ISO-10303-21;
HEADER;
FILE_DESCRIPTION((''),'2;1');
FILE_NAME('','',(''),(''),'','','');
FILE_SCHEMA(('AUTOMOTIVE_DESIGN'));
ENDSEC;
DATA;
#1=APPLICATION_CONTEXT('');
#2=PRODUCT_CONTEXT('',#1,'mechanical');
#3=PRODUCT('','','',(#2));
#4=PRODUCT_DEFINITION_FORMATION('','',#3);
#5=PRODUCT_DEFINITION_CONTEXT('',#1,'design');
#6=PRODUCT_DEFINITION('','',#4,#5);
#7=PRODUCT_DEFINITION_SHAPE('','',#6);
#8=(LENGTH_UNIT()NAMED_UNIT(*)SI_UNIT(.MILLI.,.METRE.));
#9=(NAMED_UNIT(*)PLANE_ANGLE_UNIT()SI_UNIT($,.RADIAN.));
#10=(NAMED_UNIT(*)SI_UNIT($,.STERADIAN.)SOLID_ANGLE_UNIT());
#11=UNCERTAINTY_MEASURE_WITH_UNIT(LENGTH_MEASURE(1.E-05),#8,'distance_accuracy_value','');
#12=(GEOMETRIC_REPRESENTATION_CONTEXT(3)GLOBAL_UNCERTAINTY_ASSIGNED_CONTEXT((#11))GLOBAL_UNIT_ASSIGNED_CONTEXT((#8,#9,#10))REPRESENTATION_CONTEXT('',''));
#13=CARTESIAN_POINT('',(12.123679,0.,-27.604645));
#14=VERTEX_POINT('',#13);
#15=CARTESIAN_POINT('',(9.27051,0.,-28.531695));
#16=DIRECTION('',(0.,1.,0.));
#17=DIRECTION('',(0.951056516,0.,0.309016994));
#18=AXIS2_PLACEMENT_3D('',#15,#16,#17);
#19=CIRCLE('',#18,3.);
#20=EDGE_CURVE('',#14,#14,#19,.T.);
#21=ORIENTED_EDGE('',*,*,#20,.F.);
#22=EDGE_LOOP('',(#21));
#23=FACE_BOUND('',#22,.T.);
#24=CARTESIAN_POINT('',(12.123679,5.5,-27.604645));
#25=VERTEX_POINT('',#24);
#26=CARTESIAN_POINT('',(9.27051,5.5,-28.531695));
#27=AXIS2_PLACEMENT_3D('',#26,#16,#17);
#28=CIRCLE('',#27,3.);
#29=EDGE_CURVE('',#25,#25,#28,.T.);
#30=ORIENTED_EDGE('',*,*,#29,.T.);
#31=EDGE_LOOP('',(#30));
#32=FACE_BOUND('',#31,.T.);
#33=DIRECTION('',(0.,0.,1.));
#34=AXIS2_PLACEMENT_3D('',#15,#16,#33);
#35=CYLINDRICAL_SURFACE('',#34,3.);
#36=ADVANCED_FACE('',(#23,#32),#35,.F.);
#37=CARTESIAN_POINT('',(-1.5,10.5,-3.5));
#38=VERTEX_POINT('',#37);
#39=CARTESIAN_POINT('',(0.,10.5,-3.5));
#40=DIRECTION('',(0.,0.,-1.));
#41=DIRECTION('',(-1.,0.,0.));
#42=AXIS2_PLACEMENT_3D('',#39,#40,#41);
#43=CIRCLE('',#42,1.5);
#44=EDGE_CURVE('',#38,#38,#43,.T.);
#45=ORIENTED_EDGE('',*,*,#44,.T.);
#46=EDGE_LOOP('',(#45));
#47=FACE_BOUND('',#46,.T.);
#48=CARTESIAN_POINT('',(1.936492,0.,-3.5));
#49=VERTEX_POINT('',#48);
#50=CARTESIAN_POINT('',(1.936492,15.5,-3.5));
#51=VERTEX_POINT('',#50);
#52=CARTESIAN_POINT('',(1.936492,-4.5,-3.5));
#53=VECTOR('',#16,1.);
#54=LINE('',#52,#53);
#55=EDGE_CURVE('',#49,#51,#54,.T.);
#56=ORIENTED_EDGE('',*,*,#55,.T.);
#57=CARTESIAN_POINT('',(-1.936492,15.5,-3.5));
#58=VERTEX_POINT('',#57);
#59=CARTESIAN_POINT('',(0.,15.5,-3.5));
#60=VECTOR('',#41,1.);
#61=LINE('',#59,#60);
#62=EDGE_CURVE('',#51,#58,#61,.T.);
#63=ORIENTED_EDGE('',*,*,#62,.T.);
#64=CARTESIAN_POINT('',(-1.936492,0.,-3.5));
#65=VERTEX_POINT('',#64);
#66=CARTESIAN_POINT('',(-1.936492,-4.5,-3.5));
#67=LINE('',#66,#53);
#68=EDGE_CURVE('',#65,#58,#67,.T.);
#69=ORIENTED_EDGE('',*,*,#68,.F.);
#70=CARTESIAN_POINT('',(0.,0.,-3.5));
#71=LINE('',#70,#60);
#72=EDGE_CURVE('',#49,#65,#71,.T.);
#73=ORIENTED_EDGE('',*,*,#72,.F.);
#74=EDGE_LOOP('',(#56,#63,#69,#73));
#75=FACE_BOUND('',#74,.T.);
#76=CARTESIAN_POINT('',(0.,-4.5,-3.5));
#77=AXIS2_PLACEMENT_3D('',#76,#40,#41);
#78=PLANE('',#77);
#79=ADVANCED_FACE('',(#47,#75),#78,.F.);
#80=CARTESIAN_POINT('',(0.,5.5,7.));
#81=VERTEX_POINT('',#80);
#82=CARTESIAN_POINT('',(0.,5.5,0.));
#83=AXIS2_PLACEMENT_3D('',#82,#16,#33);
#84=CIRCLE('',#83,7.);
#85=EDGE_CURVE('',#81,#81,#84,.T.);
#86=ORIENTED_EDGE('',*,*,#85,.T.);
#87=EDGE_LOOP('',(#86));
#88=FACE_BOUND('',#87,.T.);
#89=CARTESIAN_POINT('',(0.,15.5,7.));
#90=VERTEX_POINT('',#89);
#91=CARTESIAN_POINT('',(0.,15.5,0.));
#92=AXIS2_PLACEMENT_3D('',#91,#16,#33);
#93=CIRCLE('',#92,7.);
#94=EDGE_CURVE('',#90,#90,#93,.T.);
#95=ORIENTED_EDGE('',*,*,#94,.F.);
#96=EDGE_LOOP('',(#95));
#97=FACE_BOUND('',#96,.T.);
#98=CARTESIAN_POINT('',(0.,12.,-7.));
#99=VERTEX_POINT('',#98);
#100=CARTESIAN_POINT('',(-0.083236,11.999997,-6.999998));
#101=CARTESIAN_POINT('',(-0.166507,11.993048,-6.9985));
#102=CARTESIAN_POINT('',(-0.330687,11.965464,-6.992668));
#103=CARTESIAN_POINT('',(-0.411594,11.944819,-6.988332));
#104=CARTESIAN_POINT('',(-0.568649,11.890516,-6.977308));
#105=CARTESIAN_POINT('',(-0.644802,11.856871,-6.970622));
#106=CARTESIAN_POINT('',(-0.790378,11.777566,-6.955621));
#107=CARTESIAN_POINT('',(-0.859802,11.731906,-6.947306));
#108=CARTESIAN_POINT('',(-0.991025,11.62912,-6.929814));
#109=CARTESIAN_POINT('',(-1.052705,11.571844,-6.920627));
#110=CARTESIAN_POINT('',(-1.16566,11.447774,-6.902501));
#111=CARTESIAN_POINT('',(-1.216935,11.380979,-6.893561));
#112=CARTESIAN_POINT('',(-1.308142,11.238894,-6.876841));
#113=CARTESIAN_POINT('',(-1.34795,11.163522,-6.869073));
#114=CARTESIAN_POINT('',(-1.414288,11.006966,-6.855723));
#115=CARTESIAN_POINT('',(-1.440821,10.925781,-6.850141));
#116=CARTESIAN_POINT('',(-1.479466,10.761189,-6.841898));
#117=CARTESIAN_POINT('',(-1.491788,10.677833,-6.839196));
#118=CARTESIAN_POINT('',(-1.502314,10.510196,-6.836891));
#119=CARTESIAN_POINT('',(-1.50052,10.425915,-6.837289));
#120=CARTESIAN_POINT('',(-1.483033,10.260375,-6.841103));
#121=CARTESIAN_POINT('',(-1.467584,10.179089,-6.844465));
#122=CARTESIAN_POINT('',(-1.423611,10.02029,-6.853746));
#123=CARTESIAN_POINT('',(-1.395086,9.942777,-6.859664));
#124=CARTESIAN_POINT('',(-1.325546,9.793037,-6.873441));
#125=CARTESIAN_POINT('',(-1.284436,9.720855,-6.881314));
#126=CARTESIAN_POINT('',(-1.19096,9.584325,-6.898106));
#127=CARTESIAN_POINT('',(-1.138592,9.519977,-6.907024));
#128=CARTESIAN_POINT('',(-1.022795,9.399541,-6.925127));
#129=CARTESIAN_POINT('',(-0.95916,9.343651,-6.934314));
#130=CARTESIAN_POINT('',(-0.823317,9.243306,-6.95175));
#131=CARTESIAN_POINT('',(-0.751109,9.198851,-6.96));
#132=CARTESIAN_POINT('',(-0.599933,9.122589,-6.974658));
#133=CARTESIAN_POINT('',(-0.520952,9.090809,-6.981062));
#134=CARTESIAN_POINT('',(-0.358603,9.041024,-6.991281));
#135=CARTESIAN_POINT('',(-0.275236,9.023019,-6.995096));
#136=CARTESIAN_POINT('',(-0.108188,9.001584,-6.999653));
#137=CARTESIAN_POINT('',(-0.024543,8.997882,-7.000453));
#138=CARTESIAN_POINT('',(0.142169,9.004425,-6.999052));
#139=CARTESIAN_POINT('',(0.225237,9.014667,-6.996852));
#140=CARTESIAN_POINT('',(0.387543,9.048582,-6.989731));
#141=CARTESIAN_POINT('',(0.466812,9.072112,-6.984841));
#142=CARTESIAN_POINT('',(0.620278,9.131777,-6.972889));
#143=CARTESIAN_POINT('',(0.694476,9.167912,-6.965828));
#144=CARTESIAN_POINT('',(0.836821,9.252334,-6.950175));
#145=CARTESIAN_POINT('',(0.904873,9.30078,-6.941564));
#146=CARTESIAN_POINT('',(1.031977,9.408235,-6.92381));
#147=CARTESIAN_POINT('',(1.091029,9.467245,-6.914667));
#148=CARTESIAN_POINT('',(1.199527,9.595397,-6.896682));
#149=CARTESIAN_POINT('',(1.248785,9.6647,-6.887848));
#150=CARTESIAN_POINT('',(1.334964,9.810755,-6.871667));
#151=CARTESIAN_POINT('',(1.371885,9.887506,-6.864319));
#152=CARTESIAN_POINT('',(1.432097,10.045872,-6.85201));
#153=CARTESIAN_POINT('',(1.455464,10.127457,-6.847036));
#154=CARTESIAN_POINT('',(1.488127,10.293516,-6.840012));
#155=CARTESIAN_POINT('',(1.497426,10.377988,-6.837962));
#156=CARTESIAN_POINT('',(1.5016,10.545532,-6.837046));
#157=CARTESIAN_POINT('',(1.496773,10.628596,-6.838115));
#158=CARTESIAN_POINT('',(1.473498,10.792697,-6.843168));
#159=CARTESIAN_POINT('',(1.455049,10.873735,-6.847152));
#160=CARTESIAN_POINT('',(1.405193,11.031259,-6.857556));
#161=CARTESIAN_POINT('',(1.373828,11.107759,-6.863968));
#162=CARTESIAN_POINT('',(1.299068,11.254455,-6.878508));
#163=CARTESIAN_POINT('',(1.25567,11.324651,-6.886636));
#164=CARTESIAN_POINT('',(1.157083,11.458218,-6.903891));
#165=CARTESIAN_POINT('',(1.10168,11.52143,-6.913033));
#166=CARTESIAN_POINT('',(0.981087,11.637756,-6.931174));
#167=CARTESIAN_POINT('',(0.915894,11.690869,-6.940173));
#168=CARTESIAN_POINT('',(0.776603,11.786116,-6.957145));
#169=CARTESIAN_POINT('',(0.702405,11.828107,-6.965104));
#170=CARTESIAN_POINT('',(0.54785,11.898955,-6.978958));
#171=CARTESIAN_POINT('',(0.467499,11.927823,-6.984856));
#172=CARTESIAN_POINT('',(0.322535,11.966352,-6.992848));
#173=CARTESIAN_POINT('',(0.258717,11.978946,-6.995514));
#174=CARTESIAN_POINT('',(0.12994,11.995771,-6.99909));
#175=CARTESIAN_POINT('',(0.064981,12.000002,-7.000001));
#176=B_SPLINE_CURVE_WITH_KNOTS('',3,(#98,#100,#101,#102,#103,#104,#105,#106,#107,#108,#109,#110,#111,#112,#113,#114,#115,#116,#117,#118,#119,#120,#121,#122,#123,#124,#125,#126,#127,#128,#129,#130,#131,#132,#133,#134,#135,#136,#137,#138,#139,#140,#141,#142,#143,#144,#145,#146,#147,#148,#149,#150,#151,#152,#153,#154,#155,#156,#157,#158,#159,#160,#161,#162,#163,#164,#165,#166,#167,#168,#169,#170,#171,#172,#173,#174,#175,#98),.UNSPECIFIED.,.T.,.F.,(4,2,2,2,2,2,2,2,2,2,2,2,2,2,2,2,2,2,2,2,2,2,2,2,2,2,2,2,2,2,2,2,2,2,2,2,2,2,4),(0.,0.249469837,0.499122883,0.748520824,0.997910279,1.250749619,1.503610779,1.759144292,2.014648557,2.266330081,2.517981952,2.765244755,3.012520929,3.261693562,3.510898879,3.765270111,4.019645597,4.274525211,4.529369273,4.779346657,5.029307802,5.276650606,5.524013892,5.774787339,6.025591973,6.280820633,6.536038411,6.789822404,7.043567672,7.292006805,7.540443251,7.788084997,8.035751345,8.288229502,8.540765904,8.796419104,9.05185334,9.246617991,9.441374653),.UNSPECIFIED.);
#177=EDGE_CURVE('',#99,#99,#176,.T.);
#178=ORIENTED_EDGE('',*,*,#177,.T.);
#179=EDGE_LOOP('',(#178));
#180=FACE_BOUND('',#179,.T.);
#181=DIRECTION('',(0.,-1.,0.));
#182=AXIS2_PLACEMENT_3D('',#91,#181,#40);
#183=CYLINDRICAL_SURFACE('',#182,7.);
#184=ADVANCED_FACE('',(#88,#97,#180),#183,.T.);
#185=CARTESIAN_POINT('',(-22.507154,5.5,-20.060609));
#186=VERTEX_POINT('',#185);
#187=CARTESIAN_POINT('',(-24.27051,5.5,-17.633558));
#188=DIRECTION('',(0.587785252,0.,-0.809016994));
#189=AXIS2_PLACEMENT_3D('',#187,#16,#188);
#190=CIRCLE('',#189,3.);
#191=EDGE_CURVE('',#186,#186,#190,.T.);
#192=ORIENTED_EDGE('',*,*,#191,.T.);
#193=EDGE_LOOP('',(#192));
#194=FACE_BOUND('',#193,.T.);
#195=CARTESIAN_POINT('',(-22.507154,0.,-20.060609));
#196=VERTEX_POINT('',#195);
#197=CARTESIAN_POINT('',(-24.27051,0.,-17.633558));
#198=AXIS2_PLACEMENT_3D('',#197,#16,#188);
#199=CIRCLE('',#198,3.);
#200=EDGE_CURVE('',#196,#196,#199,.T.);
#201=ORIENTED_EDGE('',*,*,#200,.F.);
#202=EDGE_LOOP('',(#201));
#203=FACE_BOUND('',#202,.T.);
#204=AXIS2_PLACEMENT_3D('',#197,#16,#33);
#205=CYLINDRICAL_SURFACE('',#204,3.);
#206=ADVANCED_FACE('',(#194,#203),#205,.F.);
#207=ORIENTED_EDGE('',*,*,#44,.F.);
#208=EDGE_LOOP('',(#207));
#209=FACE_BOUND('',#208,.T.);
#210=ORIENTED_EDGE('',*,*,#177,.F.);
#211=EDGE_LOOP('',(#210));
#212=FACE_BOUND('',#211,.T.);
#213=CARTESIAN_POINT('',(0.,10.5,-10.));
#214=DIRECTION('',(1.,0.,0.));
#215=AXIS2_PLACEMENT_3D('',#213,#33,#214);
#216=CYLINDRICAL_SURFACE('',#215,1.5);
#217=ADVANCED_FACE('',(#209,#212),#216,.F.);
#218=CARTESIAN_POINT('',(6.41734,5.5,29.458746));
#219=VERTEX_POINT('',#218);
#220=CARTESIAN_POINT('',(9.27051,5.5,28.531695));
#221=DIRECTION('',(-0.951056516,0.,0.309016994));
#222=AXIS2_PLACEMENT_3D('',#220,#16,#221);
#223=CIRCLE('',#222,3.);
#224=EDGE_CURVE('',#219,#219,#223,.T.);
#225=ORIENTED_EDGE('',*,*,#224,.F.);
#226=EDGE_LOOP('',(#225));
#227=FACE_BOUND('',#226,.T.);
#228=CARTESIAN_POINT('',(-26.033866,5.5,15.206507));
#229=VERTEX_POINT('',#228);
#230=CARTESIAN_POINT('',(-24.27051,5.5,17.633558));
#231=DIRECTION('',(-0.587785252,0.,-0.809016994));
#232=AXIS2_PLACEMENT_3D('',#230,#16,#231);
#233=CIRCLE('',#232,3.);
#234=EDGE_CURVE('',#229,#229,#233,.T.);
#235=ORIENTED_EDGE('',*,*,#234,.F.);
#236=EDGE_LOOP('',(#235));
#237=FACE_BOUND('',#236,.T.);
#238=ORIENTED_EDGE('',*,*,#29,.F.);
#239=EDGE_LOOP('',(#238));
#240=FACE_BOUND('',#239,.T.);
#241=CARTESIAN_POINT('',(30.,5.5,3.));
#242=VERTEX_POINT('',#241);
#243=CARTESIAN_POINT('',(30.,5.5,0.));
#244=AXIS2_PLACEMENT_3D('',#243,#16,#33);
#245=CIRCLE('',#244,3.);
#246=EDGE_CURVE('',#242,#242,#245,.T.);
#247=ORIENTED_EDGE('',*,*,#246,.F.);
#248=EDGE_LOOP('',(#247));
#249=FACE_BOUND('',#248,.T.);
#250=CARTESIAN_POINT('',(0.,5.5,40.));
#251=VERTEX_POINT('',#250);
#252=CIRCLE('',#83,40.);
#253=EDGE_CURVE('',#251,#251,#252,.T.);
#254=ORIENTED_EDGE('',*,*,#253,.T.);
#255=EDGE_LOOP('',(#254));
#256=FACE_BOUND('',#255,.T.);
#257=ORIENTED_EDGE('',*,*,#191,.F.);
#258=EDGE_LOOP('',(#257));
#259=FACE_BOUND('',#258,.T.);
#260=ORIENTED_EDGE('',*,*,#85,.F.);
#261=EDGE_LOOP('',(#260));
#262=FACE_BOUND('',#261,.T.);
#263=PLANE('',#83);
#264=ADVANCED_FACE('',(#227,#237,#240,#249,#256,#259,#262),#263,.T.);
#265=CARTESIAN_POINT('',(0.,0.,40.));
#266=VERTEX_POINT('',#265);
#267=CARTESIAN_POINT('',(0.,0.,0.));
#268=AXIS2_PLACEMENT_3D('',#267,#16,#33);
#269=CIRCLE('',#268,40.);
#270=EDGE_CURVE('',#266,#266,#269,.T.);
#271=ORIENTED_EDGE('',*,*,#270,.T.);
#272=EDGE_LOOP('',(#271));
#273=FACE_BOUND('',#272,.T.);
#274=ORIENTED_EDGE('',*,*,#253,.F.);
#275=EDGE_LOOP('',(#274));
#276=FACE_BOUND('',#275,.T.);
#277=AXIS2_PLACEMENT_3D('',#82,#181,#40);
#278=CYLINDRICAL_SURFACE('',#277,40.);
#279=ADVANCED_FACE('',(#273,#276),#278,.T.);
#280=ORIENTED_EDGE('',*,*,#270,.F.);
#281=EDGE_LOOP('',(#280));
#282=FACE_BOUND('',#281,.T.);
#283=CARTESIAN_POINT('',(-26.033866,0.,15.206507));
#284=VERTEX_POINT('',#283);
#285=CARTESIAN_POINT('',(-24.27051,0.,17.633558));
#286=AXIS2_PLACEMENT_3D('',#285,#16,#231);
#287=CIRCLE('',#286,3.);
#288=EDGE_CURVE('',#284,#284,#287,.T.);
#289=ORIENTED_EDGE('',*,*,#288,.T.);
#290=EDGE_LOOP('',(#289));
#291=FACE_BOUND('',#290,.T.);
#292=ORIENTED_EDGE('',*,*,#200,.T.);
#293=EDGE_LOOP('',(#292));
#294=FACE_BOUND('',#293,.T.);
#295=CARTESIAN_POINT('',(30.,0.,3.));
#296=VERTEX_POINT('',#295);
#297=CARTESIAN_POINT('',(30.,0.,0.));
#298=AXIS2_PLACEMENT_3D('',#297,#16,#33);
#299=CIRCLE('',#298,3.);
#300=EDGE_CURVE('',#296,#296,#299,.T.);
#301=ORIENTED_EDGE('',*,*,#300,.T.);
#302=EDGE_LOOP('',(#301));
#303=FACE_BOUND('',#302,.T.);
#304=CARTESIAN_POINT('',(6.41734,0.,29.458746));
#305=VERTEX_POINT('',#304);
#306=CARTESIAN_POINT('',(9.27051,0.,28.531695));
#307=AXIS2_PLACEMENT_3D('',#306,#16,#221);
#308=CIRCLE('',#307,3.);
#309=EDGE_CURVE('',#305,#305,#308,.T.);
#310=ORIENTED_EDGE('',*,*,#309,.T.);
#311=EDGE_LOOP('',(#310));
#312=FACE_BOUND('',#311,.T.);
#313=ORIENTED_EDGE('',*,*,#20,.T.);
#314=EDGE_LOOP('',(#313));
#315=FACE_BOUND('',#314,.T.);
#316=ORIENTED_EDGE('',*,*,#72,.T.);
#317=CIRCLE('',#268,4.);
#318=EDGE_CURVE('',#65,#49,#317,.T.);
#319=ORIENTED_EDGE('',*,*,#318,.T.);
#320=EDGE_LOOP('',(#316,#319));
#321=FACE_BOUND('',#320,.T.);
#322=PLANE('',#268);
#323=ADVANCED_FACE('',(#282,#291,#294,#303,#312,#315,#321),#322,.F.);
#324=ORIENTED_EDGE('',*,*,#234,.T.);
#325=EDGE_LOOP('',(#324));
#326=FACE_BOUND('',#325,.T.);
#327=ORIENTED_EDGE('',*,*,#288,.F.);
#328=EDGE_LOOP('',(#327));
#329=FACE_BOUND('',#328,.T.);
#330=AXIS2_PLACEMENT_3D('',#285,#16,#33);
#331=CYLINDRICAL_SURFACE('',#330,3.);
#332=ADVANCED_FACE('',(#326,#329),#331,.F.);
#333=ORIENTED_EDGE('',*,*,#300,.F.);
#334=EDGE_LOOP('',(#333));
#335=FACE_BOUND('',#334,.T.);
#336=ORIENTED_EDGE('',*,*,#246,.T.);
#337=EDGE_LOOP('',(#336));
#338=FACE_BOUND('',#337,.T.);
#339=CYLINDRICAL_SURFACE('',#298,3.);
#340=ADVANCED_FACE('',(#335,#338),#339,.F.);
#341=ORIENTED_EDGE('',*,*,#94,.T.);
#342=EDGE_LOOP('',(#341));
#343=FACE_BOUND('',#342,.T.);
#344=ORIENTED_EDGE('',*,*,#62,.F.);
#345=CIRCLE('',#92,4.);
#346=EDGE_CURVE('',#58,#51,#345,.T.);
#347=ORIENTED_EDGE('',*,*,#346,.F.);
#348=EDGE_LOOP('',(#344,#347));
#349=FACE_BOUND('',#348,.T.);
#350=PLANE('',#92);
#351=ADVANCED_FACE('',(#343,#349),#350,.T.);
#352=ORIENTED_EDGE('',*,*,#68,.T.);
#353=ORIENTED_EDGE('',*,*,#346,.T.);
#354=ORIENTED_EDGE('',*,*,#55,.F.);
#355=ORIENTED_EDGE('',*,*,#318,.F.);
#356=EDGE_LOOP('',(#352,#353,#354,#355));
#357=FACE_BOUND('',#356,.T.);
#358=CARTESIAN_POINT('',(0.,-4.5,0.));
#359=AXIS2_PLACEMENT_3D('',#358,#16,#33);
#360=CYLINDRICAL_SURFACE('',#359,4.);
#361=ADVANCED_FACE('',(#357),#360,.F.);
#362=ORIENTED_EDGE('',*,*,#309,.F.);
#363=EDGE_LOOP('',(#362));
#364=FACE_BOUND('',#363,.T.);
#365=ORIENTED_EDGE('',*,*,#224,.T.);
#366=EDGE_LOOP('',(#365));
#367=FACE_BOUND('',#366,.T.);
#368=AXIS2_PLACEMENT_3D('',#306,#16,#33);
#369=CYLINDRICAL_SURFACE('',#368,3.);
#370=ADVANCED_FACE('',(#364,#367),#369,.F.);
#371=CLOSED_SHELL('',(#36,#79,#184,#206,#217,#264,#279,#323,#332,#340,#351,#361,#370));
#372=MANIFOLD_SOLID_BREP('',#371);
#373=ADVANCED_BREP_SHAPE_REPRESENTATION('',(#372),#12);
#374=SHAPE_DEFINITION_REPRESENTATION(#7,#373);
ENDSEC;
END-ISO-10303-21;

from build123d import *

# Parameters (mm, degrees)
SKETCH1_R           = 40
BOSS_EXTRUDE1_DEPTH = 5.5
SKETCH2_R           = 3
CUT_EXTRUDE1_DEPTH  = 6.5
CIRPATTERN1_COUNT   = 5
SKETCH3_R           = 7
BOSS_EXTRUDE2_DEPTH = 10
CUT_EXTRUDE2_DEPTH  = 20
SKETCH8_R           = 1.5
CUT_EXTRUDE3_DEPTH  = 10


with BuildPart() as part:
    # Sketch1 → Boss-Extrude1 (new body)
    with BuildSketch(Plane(origin=(0, 0, 0), x_dir=(1, 0, 0), z_dir=(0, 1, 0))):
        Circle(SKETCH1_R)
    extrude(amount=BOSS_EXTRUDE1_DEPTH)

    # Sketch2 → Cut-Extrude1 (cut, through all)
    with BuildSketch(Plane(origin=(0, 5.5, 0), x_dir=(1, 0, 0), z_dir=(0, 1, 0))):
        with Locations((30, 0)):
            Circle(SKETCH2_R)
    cut_extrude1 = extrude(amount=-CUT_EXTRUDE1_DEPTH, mode=Mode.SUBTRACT)

    # CirPattern1: Cut-Extrude1 ×5 about axis
    cirpattern1_axis = Axis((0, 0, 0), (0, 1, 0))
    for i in range(1, CIRPATTERN1_COUNT):
        add(cut_extrude1.rotate(cirpattern1_axis, i * 360 / CIRPATTERN1_COUNT), mode=Mode.SUBTRACT)

    # Sketch3 → Boss-Extrude2 (add)
    with BuildSketch(Plane(origin=(0, 5.5, 0), x_dir=(1, 0, 0), z_dir=(0, 1, 0))):
        Circle(SKETCH3_R)
    extrude(amount=BOSS_EXTRUDE2_DEPTH)

    # Sketch7 → Cut-Extrude2 (cut)
    with BuildSketch(Plane(origin=(0, 15.5, 0), x_dir=(1, 0, 0), z_dir=(0, 1, 0))):
        with BuildLine():
            ThreePointArc((4, 0), (3.445719569, 2.031506006), (1.936491673, 3.5))
            Line((1.936491673, 3.5), (-1.936491673, 3.5))
            ThreePointArc((-1.936491673, 3.5), (-2.031506006, -3.445719569), (4, 0))
        make_face()
    extrude(amount=-CUT_EXTRUDE2_DEPTH, mode=Mode.SUBTRACT)

    # Sketch8 → Cut-Extrude3 (cut)
    with BuildSketch(Plane.XY):
        with Locations((0, 10.5)):
            Circle(SKETCH8_R)
    extrude(amount=-CUT_EXTRUDE3_DEPTH, mode=Mode.SUBTRACT)


solid = part.part
